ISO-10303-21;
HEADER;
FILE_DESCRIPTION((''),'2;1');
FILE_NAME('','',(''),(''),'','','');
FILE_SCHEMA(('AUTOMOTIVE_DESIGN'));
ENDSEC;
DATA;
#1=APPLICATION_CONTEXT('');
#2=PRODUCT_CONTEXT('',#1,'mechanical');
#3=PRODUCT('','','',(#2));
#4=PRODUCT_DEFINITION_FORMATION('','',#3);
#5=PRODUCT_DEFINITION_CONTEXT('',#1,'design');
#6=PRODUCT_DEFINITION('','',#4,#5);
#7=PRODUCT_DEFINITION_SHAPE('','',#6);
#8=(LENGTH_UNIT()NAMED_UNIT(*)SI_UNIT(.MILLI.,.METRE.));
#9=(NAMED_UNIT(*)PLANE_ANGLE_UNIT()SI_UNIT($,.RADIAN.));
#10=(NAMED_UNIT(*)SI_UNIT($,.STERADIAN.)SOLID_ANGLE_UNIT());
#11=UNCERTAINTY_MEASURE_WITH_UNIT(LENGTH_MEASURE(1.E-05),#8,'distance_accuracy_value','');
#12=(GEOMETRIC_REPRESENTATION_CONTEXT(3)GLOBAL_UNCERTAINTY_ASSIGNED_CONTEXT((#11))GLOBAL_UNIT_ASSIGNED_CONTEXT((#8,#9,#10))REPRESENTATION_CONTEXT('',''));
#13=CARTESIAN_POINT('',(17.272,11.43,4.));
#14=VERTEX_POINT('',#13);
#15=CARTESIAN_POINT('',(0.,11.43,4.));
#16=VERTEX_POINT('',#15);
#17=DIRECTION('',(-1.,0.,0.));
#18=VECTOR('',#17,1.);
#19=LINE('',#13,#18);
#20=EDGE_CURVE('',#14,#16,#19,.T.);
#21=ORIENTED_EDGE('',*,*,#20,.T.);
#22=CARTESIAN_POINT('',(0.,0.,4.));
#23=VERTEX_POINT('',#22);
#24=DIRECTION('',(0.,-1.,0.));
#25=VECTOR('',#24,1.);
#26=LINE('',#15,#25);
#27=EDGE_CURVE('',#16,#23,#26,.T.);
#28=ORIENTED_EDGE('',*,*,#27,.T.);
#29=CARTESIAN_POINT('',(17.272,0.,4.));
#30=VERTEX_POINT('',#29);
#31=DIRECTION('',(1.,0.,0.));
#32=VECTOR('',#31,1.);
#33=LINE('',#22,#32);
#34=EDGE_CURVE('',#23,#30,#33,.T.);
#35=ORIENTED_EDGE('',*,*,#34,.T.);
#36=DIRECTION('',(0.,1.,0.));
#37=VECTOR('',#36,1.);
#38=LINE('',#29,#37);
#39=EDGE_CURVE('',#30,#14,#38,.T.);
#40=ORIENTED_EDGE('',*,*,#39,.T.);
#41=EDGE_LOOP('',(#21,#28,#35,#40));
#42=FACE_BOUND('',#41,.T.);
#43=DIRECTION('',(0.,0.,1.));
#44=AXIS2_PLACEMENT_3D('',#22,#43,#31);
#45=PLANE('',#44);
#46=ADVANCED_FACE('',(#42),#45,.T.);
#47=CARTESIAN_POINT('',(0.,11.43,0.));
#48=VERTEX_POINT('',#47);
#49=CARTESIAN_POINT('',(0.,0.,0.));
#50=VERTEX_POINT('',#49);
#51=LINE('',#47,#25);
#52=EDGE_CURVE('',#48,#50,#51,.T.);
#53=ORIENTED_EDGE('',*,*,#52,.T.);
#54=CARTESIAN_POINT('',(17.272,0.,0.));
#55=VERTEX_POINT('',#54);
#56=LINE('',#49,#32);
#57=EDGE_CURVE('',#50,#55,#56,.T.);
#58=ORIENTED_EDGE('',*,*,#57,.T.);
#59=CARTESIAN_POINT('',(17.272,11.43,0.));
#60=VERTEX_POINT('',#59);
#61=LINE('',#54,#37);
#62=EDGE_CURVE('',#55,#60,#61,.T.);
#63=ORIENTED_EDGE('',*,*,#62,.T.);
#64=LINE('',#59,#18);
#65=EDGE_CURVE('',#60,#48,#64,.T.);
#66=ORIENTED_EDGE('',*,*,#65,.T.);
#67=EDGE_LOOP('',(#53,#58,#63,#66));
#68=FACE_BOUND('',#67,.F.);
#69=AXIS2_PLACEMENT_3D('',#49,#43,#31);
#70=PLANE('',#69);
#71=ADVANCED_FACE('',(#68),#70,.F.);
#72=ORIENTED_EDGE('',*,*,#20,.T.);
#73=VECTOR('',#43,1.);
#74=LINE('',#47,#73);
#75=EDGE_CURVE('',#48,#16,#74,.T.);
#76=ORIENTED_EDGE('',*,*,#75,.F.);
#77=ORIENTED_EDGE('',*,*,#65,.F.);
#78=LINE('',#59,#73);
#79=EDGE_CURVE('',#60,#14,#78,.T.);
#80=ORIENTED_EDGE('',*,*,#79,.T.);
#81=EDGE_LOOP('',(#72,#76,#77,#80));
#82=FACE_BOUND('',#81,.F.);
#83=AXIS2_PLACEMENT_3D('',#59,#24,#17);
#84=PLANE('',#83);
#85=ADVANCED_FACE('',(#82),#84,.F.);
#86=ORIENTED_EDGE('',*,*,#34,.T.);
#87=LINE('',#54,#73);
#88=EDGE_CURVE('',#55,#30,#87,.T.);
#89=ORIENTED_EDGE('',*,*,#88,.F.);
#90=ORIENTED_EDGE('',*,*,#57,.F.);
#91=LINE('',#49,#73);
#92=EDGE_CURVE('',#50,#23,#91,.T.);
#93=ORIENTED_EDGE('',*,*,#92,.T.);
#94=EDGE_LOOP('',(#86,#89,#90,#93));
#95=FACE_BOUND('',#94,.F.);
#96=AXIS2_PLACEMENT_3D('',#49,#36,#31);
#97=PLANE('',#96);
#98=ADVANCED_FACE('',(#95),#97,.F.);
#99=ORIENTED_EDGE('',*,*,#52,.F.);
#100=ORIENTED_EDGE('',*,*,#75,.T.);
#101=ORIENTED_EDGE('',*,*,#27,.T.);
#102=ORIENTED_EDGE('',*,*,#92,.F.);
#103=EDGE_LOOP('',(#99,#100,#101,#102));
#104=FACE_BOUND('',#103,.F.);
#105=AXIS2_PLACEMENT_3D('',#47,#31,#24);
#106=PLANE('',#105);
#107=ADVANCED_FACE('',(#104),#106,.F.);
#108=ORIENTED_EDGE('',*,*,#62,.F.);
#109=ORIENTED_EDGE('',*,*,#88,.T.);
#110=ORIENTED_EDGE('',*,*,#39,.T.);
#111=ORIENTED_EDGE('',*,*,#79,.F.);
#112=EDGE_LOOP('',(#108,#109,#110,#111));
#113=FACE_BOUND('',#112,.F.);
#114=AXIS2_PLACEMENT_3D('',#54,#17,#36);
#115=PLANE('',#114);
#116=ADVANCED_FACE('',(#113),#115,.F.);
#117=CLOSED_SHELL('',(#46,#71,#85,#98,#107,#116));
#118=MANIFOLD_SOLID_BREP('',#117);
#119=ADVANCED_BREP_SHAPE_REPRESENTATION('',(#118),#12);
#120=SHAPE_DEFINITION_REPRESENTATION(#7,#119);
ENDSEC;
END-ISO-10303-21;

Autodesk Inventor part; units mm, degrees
ref_plane "YZ Plane" through (0, 0, 0) normal (1, 0, 0) x (0, 1, 0)
ref_plane "XZ Plane" through (0, 0, 0) normal (0, 1, 0) x (-1, 0, 0)
ref_plane "XY Plane" through (0, 0, 0) normal (0, 0, 1) x (1, 0, 0)
sketch "Sketch1" plane through (0, 0, 0) normal (0, 0, 1) x (1, 0, 0)
  line L0 (0, 0) -> (17.272, 0)
  line L1 (17.272, 0) -> (17.272, 11.43)
  line L2 (17.272, 11.43) -> (0, 11.43)
  line L3 (0, 11.43) -> (0, 0)
  dimension "d0" = 17.272
  dimension "d1" = 11.43
extrude "Extrusion1" add sketch "Sketch1" along normal blind 4
properties part number "AD9833Teyleten"
